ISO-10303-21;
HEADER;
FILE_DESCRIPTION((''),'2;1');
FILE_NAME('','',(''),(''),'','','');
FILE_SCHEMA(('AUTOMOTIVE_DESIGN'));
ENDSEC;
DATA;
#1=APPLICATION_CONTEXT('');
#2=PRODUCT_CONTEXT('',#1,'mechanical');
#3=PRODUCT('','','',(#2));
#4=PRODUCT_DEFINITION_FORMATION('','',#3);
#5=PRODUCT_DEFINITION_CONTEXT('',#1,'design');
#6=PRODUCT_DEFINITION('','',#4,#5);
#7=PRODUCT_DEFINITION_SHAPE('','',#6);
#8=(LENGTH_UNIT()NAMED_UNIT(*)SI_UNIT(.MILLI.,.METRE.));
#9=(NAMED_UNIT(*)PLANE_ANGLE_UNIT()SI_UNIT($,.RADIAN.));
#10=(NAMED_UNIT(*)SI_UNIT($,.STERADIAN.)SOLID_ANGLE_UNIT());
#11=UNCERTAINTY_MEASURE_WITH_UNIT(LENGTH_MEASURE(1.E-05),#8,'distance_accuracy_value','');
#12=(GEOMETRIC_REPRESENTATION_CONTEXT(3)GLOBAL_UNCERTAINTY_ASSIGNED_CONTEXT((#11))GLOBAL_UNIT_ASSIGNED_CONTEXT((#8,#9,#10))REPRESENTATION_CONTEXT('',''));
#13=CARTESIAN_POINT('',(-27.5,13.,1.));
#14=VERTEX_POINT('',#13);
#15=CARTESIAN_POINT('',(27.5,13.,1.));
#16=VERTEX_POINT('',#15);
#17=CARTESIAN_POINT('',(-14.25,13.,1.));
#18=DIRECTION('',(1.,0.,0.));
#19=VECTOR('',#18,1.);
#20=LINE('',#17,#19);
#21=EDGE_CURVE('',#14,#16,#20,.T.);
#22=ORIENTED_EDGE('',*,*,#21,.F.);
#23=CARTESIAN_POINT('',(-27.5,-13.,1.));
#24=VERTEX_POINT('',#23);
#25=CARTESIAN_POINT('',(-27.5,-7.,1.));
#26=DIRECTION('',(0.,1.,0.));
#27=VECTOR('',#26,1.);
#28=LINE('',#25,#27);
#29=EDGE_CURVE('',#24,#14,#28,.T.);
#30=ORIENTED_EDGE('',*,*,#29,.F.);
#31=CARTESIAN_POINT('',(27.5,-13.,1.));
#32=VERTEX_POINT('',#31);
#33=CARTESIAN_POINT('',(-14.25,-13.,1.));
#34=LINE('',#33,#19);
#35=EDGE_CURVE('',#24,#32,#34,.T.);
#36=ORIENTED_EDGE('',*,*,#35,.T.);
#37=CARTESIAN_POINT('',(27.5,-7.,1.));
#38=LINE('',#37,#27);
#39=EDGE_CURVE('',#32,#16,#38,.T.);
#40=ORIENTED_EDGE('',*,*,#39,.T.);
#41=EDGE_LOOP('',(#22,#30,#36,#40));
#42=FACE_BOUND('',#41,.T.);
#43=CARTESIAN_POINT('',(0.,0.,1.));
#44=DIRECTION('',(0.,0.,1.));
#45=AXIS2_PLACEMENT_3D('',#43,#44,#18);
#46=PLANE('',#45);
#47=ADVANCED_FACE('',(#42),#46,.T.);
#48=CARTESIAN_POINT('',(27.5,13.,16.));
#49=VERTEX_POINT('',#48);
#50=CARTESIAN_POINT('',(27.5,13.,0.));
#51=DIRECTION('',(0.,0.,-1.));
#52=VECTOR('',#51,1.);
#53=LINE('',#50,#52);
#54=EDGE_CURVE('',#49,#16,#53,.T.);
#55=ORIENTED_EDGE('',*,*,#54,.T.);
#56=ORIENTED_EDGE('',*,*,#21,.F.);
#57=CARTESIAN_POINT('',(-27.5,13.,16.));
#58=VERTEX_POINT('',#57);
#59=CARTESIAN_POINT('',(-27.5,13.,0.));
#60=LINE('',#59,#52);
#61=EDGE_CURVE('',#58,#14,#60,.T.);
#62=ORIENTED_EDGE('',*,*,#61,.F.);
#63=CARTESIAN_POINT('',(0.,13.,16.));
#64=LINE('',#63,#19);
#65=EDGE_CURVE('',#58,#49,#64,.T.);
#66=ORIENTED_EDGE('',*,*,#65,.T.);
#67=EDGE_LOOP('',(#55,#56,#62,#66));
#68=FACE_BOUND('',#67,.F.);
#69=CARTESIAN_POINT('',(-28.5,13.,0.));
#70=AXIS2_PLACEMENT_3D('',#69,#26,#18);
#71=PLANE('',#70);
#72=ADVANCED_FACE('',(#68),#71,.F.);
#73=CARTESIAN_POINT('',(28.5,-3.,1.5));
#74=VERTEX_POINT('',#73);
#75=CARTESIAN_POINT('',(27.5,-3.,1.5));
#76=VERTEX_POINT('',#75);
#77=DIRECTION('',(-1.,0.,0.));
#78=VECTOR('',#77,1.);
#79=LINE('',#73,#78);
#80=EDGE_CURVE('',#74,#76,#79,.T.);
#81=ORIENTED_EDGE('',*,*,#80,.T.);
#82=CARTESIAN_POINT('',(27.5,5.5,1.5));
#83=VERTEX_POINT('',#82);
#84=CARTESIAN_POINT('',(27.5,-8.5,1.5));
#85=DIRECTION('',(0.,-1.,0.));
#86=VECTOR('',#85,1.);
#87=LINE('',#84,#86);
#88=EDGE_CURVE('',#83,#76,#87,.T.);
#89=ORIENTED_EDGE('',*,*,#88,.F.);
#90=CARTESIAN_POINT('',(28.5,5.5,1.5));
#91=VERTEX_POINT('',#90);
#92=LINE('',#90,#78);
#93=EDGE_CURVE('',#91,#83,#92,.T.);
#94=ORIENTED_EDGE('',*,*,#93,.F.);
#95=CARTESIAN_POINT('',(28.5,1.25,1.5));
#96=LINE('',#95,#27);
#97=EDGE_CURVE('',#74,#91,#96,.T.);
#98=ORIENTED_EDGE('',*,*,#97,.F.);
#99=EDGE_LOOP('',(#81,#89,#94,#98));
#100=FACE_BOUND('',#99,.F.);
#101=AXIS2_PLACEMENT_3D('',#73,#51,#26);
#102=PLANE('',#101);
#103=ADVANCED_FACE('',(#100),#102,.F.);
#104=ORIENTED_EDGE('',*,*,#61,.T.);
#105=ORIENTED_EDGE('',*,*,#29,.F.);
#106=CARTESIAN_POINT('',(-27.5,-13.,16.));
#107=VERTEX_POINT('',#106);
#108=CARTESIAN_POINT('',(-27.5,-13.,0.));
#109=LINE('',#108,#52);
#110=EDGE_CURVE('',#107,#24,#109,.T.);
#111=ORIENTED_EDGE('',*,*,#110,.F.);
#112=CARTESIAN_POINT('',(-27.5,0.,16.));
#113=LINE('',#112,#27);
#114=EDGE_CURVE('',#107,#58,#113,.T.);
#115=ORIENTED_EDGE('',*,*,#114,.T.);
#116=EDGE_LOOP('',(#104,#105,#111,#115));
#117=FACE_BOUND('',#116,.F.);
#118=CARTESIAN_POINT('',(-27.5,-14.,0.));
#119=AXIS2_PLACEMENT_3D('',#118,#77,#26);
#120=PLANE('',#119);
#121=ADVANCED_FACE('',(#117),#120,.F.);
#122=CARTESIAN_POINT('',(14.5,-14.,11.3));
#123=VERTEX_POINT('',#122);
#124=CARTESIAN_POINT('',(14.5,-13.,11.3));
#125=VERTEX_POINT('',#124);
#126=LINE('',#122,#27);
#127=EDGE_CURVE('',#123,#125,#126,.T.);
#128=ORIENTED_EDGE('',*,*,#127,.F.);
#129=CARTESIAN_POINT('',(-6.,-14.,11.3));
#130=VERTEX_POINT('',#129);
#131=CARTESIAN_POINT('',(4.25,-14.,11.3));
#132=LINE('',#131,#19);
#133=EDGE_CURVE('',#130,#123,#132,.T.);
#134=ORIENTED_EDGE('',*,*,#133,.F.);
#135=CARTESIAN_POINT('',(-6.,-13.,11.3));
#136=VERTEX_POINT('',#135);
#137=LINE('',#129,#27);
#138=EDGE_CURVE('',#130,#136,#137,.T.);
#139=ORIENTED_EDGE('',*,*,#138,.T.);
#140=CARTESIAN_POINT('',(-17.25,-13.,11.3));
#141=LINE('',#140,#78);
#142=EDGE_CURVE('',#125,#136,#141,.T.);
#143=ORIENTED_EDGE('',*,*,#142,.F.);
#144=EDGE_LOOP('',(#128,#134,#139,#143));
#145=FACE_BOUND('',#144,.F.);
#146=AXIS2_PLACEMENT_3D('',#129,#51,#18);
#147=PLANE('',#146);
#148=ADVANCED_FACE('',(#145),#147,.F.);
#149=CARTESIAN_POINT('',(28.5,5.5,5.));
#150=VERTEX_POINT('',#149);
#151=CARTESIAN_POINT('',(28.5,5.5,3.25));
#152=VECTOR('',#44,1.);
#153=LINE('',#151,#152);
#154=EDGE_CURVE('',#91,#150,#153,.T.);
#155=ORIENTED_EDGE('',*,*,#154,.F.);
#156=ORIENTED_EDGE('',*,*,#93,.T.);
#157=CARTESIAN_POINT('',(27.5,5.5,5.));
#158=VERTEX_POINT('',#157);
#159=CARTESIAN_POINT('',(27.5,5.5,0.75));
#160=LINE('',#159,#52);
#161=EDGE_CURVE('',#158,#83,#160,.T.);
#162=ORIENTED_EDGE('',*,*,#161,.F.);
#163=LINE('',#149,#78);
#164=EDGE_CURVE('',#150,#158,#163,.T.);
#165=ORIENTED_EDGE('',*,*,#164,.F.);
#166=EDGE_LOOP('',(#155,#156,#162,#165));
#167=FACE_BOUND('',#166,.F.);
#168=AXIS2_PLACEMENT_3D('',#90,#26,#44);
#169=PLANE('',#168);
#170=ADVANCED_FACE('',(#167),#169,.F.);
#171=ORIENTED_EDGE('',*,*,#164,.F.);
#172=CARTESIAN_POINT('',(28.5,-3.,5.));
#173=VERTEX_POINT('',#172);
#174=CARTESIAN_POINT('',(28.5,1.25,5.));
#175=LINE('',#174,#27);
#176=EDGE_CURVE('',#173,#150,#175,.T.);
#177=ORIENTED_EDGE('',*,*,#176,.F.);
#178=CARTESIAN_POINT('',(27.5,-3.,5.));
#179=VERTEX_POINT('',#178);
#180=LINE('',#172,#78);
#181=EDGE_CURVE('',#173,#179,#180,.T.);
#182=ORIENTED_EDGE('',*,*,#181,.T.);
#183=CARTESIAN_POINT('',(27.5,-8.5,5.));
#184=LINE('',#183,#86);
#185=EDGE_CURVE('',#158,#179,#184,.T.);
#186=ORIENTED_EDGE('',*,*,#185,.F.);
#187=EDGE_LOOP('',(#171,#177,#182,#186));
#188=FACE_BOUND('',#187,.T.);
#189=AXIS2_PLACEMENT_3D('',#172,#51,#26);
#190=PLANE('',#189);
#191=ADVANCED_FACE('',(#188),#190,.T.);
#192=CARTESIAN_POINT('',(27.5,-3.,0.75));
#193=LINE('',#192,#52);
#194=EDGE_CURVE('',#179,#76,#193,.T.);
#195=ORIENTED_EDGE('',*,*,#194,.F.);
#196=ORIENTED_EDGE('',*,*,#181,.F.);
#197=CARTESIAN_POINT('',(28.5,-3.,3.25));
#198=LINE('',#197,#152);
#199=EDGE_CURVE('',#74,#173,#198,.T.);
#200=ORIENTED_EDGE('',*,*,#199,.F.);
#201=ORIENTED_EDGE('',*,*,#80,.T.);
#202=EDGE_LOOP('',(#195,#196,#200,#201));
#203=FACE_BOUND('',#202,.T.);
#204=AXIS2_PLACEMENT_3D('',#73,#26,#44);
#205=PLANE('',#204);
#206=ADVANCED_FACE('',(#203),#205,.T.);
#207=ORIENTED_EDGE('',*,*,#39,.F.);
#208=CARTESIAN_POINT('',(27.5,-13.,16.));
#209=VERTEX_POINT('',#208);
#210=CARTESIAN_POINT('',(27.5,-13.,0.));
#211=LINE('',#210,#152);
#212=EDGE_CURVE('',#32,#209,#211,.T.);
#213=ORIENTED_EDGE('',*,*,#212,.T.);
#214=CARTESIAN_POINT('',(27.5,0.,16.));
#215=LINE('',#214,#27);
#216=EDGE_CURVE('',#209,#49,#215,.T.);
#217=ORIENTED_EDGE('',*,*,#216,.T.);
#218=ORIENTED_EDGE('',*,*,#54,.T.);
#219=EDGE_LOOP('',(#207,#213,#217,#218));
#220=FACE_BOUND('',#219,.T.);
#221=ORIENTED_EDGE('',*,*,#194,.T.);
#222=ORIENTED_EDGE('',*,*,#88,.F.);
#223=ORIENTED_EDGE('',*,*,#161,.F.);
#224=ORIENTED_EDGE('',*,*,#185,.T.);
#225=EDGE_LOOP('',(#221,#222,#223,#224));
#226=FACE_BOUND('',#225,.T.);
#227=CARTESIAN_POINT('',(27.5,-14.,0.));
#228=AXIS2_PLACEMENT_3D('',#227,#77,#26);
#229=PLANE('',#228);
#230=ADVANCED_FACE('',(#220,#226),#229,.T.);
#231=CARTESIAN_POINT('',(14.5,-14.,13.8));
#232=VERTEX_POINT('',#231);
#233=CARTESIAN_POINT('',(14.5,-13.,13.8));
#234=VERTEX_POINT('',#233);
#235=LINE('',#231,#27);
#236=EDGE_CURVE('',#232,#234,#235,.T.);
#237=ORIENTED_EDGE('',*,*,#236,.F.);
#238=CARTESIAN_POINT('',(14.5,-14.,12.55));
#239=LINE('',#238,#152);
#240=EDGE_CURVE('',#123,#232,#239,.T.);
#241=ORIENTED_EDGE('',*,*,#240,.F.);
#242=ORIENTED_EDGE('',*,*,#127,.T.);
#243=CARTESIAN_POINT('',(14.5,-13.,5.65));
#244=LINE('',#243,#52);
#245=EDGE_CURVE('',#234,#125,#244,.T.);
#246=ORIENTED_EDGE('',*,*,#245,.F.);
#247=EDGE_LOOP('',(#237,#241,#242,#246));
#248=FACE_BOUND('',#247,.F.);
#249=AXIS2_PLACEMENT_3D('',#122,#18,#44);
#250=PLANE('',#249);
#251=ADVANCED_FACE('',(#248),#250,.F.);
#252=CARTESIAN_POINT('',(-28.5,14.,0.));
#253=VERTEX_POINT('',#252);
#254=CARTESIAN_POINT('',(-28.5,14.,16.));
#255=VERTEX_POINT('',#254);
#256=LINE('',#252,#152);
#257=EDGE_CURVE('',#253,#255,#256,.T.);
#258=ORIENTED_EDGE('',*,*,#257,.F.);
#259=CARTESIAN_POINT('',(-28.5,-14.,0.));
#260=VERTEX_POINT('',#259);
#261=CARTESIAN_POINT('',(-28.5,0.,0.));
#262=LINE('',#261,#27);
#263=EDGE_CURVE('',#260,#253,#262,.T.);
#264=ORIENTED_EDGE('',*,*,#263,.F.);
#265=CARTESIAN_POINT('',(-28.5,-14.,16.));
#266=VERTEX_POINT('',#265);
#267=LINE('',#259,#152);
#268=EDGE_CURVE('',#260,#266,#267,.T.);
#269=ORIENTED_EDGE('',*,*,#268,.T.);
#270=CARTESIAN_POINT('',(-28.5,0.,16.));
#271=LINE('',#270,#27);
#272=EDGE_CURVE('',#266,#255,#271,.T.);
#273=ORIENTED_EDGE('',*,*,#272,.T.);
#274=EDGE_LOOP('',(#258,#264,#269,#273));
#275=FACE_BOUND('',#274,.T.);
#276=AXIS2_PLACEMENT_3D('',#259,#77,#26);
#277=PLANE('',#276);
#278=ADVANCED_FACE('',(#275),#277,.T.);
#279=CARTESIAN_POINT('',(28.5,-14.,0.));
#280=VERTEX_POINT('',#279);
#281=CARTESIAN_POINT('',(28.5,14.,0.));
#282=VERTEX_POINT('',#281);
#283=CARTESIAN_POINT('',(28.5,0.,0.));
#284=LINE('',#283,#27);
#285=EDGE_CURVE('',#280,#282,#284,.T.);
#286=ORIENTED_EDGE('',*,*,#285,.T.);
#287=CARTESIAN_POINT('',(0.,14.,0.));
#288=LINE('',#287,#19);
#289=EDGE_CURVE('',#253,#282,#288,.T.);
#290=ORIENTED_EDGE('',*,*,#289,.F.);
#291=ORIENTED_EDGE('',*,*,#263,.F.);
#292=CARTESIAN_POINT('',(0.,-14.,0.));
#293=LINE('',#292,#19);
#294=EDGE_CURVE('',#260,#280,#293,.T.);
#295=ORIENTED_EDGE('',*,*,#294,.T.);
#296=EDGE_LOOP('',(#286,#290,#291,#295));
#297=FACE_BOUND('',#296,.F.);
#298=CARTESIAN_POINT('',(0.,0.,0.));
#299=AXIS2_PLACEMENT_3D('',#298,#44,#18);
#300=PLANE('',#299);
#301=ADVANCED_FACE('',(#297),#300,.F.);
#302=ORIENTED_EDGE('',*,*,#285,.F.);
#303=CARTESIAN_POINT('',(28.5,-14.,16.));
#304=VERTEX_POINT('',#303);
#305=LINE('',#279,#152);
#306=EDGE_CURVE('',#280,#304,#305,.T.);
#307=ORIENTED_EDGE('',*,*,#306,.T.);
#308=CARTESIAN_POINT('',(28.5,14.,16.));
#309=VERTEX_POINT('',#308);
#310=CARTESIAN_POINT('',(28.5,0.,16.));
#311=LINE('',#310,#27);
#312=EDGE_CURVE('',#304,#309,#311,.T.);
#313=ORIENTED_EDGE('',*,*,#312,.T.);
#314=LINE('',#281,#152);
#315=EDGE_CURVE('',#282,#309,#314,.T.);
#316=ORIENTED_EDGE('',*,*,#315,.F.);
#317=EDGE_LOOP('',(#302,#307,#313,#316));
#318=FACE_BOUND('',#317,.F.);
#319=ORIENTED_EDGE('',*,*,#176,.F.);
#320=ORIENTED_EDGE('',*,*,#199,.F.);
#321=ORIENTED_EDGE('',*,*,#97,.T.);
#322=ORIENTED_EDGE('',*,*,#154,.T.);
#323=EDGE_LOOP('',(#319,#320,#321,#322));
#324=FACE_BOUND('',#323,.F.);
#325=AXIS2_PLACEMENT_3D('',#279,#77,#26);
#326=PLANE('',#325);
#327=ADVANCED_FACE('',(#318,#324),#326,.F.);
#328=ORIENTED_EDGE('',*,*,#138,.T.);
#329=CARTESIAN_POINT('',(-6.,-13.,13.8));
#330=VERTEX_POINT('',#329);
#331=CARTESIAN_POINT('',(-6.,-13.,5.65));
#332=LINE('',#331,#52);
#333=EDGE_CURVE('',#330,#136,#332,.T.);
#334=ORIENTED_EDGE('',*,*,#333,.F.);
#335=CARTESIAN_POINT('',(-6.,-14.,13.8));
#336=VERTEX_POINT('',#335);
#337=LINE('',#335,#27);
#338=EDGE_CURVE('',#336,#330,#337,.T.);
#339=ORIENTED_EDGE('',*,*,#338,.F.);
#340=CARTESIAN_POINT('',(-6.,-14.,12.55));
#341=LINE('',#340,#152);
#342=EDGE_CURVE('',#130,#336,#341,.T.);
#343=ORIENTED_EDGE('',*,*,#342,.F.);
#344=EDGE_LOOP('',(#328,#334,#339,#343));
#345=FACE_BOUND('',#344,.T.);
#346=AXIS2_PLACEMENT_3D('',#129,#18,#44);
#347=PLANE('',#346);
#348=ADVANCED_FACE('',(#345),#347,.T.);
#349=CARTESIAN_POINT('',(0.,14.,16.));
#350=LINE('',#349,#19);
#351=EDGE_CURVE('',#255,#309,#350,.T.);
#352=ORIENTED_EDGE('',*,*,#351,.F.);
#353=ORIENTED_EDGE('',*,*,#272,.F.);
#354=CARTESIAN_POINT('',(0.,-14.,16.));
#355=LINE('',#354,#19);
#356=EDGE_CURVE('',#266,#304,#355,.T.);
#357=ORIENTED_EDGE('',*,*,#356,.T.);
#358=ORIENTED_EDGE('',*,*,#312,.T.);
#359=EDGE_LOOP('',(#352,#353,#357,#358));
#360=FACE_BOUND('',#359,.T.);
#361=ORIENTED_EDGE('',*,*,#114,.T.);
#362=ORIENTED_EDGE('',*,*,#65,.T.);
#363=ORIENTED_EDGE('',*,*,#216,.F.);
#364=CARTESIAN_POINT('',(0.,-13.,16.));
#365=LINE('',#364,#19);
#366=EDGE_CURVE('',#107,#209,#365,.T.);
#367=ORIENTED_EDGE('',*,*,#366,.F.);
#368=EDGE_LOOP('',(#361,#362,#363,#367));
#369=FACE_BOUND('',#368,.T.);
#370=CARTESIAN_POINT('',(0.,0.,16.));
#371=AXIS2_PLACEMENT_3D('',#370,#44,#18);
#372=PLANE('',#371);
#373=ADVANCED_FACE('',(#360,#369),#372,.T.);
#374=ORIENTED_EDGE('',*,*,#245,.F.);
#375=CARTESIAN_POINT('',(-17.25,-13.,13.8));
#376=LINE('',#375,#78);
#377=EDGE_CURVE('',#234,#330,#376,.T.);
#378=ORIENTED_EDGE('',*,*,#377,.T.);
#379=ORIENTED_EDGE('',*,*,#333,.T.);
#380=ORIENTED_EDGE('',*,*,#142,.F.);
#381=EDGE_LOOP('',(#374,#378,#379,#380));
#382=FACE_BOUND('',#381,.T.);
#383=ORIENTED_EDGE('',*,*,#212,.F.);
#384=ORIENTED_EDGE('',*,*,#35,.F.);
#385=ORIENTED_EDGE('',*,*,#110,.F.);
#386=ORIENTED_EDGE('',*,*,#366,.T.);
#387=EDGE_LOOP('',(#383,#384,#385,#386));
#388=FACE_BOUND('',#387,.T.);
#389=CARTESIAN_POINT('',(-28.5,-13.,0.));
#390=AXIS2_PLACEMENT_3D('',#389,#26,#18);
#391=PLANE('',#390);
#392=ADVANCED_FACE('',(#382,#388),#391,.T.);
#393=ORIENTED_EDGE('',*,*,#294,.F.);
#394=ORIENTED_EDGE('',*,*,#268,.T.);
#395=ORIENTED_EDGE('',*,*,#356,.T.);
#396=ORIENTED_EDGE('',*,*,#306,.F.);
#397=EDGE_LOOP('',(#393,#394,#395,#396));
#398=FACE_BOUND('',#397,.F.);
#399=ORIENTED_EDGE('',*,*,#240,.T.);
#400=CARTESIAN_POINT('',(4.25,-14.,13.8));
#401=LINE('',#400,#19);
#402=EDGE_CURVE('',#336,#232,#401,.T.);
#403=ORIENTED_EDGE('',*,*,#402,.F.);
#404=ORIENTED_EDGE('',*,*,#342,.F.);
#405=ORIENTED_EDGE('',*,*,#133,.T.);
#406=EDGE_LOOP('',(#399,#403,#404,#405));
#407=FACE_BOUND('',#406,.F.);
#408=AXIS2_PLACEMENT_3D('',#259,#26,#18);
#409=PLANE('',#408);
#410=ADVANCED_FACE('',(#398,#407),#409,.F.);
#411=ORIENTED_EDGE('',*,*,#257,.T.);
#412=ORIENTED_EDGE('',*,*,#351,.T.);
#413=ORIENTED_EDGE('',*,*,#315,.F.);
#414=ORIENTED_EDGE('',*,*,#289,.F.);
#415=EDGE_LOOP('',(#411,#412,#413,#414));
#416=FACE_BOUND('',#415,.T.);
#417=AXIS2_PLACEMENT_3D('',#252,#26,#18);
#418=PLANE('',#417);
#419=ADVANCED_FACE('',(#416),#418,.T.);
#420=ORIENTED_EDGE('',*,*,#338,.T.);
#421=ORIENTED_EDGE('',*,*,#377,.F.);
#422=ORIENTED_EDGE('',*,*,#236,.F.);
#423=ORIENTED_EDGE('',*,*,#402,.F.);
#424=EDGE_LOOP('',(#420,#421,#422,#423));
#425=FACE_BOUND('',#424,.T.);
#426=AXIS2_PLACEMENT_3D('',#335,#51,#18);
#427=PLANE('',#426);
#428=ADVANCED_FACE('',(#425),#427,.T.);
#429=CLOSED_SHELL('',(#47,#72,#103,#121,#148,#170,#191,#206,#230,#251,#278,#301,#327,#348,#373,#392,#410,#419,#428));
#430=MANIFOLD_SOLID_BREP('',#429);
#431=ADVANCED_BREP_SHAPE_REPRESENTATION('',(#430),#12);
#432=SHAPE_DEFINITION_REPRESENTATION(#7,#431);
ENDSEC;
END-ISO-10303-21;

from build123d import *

# Parameters (mm, degrees)
F0_W     = 57
F0_H     = 28
F1_DEPTH = 16
F2_T     = -1
F3_W     = 20.5
F3_H     = 2.5
F4_DEPTH = 3
F5_W     = 8.5
F5_H     = 3.5
F6_DEPTH = 3


with BuildPart() as f1:
    # F0 (on Top) → F1 (new body)
    with BuildSketch(Plane.XY):
        Rectangle(F0_W, F0_H)
    extrude(amount=F1_DEPTH)

    # F2
    f2_openings = [f1.faces().sort_by_distance(p)[0] for p in [
        (0, 0, 16),
    ]]
    offset(amount=F2_T, openings=f2_openings)

    # F3 (on face) → F4 (cut)
    with BuildSketch(Plane.XZ.offset(14)):
        with Locations((4.25, 12.55)):
            Rectangle(F3_W, F3_H)
    extrude(amount=-F4_DEPTH, mode=Mode.SUBTRACT)

    # F5 (on face) → F6 (cut)
    with BuildSketch(Plane.YZ.offset(28.5)):
        with Locations((1.25, 3.25)):
            Rectangle(F5_W, F5_H)
    extrude(amount=-F6_DEPTH, mode=Mode.SUBTRACT)


solid = f1.part
